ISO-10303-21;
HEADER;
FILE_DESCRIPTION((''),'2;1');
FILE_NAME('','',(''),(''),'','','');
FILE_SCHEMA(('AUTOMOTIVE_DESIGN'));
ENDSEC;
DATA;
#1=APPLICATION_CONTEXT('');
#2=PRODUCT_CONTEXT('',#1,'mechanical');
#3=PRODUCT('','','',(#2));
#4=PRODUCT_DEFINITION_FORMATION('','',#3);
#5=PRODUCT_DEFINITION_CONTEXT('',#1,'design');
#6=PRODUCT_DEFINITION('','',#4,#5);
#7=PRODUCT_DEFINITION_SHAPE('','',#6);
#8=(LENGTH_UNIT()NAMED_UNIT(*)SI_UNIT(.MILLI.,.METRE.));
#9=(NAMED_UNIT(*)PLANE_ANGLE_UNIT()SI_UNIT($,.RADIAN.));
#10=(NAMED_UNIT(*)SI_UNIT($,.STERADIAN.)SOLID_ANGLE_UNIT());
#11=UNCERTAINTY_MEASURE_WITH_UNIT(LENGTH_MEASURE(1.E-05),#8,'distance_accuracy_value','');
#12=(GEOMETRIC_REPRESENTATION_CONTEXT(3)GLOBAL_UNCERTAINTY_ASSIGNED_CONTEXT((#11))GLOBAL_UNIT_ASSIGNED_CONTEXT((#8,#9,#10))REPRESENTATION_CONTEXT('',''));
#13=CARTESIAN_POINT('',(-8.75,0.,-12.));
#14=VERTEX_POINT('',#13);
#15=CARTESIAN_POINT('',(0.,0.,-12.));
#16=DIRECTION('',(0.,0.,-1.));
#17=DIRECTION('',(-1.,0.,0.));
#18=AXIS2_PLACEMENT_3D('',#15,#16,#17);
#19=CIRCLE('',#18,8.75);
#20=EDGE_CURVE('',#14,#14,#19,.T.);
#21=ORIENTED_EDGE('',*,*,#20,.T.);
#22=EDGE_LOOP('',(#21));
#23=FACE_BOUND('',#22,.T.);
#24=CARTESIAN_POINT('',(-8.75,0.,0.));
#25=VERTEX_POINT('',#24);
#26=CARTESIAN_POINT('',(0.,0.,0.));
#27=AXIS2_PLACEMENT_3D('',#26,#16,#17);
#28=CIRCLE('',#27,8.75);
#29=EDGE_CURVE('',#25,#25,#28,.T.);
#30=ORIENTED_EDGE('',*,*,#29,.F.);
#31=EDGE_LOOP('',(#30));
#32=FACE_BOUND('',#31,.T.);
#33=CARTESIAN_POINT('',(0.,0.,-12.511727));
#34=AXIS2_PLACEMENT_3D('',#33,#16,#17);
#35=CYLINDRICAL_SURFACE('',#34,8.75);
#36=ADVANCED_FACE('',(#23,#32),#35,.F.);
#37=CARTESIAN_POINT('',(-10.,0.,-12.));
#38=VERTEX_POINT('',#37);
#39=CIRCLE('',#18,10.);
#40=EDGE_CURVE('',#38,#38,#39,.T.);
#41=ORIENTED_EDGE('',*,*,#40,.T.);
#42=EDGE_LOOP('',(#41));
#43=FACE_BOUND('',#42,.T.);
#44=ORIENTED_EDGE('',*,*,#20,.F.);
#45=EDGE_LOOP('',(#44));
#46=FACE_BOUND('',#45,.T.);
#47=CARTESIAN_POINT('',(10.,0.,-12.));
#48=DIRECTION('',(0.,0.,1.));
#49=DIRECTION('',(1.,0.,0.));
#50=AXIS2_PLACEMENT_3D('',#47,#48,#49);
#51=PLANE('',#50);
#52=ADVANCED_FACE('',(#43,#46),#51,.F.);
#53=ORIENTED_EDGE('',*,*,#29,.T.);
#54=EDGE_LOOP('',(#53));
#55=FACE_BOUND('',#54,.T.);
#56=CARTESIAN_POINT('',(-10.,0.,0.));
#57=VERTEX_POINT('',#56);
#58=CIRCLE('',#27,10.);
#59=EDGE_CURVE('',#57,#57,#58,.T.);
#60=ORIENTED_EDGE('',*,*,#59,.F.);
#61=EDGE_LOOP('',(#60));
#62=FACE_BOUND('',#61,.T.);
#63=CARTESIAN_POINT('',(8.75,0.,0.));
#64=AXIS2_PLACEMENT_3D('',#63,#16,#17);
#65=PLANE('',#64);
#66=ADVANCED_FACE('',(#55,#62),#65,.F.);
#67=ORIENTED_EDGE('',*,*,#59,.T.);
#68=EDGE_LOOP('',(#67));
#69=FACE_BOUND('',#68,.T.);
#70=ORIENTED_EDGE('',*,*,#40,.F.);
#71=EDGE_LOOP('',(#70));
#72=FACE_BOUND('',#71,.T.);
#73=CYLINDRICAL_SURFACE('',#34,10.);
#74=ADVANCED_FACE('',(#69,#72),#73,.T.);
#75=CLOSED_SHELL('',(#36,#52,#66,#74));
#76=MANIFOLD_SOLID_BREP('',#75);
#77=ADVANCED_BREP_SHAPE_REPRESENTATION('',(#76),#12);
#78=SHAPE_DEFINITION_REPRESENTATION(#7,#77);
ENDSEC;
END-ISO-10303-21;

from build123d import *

# Parameters (mm, degrees)
SKETCH1_W = 1.25
SKETCH1_H = 12


with BuildPart() as part:
    # Sketch1 → Revolve1 (revolve)
    with BuildSketch(Plane(origin=(0, 0, 0), x_dir=(1, 0, 0), z_dir=(0, 1, 0)), mode=Mode.PRIVATE) as revolve1_sk:
        with Locations((9.375, 6)):
            Rectangle(SKETCH1_W, SKETCH1_H)
    revolve(revolve1_sk.sketch.rotate(Axis((0, 0, -12.511727079), (0, 0, 1)), 180), axis=Axis((0, 0, -12.511727079), (0, 0, 1)))


solid = part.part
